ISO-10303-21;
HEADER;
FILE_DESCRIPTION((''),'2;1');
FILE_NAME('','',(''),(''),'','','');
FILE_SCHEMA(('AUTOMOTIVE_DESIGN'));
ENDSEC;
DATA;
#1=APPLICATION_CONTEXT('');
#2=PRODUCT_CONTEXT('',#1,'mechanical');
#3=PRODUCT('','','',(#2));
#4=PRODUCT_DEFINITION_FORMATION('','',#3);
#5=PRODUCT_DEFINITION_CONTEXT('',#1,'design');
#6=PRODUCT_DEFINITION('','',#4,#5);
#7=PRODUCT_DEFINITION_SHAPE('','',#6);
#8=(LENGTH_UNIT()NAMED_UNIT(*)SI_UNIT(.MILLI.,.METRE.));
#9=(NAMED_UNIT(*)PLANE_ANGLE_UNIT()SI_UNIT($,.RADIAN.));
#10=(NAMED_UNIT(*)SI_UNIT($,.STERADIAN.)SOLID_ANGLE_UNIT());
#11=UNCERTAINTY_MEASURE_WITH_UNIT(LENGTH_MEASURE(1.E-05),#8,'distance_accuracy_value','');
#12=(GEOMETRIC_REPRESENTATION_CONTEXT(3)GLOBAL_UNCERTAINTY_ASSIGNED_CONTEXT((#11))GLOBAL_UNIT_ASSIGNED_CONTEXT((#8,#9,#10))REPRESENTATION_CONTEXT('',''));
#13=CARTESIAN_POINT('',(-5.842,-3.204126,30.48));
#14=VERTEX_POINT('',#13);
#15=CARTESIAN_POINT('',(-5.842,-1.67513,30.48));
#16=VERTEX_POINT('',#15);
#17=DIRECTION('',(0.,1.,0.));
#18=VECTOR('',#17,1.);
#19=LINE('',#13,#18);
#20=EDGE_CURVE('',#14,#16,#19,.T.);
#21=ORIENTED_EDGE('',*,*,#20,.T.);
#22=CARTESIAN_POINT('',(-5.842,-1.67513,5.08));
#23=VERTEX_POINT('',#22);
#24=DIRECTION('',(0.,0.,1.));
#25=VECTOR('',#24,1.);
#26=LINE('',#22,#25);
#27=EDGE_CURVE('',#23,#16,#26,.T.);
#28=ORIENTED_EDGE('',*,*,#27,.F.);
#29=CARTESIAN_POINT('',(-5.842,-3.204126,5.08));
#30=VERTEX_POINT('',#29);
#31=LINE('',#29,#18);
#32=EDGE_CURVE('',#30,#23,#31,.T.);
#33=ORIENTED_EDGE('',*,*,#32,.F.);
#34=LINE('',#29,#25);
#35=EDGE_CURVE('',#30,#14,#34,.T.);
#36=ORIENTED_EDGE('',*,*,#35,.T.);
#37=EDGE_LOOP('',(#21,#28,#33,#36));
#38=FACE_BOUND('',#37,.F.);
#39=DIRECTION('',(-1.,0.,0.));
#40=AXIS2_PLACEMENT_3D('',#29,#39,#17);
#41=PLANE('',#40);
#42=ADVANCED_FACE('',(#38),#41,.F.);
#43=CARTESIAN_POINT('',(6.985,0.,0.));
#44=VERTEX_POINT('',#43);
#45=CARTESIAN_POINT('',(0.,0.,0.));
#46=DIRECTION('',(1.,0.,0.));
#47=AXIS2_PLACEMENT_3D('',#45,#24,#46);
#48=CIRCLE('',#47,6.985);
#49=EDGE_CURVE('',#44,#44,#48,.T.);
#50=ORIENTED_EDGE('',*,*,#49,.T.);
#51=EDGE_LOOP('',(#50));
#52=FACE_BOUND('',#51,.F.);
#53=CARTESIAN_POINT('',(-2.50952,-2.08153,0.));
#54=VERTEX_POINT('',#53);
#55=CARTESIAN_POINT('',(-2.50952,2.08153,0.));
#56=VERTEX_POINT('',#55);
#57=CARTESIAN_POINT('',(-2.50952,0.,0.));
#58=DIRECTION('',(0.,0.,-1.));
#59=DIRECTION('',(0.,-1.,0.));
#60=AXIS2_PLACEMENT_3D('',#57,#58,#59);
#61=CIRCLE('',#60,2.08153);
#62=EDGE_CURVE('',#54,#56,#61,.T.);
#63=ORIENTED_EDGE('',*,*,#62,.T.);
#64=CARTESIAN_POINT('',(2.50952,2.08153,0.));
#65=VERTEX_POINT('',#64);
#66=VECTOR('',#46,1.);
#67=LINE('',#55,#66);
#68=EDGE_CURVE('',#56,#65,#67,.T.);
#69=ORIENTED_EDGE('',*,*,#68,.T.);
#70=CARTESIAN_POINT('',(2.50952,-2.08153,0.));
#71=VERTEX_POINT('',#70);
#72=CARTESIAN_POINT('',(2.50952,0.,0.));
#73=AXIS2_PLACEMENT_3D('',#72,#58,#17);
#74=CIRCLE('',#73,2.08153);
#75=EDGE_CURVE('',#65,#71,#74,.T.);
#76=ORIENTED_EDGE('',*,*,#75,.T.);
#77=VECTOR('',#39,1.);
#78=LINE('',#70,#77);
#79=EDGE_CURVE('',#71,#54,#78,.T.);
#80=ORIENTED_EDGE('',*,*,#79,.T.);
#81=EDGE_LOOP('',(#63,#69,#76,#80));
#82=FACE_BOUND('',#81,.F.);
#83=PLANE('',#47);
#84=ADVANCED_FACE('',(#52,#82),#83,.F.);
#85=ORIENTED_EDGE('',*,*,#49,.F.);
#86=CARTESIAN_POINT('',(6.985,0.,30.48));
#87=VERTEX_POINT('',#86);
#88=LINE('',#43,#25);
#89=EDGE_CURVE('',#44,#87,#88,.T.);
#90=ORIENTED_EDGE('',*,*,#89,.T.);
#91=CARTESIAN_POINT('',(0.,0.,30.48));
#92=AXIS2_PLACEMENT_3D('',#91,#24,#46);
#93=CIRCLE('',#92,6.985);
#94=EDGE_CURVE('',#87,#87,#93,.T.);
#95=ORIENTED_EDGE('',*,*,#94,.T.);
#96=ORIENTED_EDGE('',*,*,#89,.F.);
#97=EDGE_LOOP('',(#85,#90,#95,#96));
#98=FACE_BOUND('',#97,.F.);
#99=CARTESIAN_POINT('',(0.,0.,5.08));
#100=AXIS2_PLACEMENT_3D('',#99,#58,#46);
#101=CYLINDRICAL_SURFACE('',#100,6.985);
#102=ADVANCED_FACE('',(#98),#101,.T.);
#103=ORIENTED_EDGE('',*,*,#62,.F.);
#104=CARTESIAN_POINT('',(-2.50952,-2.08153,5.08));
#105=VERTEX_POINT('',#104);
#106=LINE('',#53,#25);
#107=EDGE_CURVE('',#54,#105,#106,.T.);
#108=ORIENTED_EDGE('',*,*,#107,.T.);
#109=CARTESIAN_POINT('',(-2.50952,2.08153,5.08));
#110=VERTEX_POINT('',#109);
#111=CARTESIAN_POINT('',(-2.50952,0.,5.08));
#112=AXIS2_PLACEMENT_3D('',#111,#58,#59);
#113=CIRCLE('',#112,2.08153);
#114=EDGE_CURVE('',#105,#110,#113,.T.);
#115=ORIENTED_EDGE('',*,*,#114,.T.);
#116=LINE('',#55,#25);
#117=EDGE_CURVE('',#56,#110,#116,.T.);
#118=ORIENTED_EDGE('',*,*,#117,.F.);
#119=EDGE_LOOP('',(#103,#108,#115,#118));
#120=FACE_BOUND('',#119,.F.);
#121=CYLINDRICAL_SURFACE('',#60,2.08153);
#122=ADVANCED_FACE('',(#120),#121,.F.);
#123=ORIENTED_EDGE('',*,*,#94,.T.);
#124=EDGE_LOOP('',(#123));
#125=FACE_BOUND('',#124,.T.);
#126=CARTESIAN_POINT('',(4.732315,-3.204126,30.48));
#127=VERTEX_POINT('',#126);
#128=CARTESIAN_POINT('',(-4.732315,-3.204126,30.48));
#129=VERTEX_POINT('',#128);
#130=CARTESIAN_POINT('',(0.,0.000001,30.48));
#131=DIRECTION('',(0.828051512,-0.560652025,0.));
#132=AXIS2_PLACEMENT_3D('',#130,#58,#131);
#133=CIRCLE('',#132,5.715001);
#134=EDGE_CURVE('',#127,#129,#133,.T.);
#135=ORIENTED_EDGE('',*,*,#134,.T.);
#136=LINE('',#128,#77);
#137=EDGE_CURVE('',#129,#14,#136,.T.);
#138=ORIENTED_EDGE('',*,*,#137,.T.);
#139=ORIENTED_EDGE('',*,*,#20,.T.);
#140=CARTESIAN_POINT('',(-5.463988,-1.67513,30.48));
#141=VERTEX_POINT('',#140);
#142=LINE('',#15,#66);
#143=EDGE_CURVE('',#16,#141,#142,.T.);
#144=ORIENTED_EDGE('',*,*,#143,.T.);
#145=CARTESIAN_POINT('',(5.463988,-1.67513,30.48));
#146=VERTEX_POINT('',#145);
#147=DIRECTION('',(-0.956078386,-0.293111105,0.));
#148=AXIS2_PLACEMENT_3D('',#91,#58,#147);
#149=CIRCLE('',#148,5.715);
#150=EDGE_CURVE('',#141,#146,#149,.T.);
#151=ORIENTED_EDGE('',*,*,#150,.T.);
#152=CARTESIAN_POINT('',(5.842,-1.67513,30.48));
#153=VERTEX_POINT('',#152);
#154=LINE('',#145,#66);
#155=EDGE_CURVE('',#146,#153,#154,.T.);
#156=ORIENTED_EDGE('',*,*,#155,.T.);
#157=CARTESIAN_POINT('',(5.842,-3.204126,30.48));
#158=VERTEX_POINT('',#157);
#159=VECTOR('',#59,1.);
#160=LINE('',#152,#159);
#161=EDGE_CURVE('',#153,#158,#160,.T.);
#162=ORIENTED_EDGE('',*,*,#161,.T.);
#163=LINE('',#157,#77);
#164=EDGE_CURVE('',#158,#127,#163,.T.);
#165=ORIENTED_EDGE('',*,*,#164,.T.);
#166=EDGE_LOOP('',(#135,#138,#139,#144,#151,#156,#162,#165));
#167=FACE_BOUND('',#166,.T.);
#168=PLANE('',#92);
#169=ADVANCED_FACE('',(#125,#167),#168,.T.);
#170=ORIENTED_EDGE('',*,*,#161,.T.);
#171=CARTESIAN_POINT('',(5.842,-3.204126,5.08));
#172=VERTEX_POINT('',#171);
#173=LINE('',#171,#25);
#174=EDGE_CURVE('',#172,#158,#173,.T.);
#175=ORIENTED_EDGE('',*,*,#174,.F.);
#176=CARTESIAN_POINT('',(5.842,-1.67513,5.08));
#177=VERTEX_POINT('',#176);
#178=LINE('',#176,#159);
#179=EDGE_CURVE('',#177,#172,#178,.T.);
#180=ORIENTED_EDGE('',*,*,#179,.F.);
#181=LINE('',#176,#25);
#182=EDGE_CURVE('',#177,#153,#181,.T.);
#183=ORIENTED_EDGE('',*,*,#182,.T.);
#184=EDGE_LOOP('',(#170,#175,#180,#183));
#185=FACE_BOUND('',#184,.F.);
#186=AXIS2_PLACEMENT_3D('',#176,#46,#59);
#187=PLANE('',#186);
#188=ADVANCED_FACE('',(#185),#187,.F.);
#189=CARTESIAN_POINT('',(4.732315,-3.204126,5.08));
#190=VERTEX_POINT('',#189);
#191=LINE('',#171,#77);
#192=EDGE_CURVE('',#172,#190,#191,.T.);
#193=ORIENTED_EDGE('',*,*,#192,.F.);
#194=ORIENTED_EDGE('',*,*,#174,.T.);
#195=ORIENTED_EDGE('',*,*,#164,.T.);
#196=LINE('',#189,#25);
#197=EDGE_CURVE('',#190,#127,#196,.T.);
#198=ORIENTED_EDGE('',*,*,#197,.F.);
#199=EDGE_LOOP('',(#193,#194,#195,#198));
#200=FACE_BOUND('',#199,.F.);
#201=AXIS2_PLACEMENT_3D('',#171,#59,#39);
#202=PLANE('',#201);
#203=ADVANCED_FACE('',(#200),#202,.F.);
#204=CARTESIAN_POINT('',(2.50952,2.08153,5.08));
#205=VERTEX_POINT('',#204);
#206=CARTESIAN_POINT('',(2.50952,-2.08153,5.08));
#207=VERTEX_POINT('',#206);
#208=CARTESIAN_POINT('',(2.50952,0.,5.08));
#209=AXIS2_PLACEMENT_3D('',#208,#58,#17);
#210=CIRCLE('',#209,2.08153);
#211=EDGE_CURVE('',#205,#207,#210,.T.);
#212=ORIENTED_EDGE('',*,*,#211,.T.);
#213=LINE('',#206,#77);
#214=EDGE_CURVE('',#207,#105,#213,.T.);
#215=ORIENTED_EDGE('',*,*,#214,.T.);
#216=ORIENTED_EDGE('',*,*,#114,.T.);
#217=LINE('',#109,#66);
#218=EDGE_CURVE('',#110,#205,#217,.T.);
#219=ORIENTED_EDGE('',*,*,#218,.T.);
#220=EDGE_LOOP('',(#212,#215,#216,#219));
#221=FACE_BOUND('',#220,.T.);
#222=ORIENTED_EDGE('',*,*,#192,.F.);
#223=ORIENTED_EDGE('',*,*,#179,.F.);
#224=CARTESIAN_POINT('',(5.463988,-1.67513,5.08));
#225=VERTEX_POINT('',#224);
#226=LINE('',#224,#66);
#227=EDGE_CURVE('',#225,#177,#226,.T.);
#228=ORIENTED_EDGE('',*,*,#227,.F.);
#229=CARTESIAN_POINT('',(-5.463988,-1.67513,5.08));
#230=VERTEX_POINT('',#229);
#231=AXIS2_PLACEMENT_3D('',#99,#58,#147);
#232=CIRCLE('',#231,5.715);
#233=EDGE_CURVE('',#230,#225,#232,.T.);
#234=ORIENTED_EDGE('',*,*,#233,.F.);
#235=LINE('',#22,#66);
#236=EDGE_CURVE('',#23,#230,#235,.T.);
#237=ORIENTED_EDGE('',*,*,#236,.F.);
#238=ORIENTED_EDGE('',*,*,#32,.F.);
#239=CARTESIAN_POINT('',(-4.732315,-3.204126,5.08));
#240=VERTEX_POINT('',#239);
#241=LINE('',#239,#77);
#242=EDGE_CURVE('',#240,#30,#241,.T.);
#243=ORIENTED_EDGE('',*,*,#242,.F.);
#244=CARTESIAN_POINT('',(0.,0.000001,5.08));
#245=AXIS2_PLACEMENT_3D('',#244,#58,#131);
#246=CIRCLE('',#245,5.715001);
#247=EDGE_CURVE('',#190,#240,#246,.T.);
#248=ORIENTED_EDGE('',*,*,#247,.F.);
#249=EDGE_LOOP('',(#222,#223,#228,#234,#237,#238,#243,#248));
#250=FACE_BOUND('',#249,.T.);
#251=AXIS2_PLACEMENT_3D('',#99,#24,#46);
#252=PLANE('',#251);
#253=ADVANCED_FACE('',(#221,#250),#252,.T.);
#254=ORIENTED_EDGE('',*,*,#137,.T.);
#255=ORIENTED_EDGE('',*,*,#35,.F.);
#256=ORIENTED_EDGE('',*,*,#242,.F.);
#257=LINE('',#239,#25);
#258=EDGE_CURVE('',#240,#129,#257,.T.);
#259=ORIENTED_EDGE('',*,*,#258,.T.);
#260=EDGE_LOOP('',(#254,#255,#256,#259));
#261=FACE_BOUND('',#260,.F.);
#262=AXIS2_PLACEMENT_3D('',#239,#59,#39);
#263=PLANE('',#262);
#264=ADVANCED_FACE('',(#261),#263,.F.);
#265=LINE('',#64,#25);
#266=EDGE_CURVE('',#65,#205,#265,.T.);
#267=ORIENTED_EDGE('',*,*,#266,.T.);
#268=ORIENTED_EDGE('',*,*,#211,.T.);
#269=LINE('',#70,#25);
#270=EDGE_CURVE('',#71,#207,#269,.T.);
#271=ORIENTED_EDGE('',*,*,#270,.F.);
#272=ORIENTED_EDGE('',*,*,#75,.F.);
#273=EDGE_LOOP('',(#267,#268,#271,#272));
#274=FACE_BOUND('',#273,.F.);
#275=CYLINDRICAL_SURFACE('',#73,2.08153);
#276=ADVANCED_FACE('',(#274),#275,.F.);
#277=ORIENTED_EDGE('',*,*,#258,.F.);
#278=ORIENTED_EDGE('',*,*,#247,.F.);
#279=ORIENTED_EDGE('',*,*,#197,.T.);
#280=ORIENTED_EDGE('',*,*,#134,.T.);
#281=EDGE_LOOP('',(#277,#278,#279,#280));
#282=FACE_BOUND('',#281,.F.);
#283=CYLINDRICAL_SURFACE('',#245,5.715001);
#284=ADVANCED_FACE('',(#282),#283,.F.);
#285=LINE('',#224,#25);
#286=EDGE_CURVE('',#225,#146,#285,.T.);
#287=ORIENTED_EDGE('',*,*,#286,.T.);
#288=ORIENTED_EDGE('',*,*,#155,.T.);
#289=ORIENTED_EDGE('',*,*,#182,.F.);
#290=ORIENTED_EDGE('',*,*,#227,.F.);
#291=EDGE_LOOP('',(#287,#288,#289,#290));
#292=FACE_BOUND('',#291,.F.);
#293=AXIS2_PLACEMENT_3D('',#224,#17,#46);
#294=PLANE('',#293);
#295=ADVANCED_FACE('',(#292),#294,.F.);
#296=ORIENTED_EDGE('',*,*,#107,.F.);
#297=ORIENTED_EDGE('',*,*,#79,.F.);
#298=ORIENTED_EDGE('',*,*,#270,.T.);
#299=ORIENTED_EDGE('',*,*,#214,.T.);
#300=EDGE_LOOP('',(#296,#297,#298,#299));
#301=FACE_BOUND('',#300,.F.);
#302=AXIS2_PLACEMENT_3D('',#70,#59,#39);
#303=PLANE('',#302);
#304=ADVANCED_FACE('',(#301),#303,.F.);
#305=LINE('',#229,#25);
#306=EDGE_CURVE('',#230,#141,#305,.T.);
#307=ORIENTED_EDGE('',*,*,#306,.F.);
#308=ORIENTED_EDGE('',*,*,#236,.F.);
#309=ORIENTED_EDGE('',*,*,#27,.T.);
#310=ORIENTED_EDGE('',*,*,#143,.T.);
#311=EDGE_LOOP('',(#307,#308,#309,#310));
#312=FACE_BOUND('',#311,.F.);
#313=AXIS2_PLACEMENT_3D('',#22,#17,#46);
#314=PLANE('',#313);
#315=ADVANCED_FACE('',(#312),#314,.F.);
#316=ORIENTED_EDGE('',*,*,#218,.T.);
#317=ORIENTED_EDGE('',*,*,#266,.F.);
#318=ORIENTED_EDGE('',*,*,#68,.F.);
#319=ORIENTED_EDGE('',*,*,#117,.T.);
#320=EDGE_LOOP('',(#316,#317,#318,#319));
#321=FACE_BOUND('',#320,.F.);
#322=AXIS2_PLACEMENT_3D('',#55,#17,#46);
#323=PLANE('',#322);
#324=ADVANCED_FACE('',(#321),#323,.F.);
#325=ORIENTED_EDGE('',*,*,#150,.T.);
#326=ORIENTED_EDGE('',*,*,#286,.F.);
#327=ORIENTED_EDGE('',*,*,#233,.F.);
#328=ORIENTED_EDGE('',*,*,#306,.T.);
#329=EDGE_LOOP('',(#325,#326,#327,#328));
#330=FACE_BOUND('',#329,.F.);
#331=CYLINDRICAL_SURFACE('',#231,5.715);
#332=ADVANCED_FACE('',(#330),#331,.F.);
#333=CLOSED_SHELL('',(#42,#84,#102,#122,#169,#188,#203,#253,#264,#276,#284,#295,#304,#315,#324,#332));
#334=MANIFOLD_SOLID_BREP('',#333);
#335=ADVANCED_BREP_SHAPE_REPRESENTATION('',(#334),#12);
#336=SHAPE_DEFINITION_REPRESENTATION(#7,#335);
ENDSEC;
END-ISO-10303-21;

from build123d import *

# Parameters (mm, degrees)
F0_R     = 6.985
F1_DEPTH = 5.08
F2_R     = 6.985
F3_DEPTH = 25.4


with BuildPart() as f1:
    # F0 (on Top) → F1 (new body)
    with BuildSketch(Plane.XY):
        Circle(F0_R)
        with BuildLine():
            ThreePointArc((-2.50952, -2.08153), (-4.59105, 0), (-2.50952, 2.08153))
            Line((-2.50952, 2.08153), (2.50952, 2.08153))
            ThreePointArc((2.50952, 2.08153), (4.59105, 0), (2.50952, -2.08153))
            Line((2.50952, -2.08153), (-2.50952, -2.08153))
        make_face(mode=Mode.SUBTRACT)
    extrude(amount=F1_DEPTH)

    # F2 (on face) → F3 (join)
    with BuildSketch(Plane.XY.offset(5.08)):
        Circle(F2_R)
        with BuildLine():
            ThreePointArc((-5.463988, -1.67513), (0, 5.715), (5.463988, -1.67513))
            Line((5.463988, -1.67513), (5.842, -1.67513))
            Line((5.842, -1.67513), (5.842, -3.204126))
            Line((5.842, -3.204126), (4.732315, -3.204126))
            ThreePointArc((4.732315, -3.204126), (0, -5.715), (-4.732315, -3.204126))
            Line((-4.732315, -3.204126), (-5.842, -3.204126))
            Line((-5.842, -3.204126), (-5.842, -1.67513))
            Line((-5.842, -1.67513), (-5.463988, -1.67513))
        make_face(mode=Mode.SUBTRACT)
    extrude(amount=F3_DEPTH)


solid = f1.part
